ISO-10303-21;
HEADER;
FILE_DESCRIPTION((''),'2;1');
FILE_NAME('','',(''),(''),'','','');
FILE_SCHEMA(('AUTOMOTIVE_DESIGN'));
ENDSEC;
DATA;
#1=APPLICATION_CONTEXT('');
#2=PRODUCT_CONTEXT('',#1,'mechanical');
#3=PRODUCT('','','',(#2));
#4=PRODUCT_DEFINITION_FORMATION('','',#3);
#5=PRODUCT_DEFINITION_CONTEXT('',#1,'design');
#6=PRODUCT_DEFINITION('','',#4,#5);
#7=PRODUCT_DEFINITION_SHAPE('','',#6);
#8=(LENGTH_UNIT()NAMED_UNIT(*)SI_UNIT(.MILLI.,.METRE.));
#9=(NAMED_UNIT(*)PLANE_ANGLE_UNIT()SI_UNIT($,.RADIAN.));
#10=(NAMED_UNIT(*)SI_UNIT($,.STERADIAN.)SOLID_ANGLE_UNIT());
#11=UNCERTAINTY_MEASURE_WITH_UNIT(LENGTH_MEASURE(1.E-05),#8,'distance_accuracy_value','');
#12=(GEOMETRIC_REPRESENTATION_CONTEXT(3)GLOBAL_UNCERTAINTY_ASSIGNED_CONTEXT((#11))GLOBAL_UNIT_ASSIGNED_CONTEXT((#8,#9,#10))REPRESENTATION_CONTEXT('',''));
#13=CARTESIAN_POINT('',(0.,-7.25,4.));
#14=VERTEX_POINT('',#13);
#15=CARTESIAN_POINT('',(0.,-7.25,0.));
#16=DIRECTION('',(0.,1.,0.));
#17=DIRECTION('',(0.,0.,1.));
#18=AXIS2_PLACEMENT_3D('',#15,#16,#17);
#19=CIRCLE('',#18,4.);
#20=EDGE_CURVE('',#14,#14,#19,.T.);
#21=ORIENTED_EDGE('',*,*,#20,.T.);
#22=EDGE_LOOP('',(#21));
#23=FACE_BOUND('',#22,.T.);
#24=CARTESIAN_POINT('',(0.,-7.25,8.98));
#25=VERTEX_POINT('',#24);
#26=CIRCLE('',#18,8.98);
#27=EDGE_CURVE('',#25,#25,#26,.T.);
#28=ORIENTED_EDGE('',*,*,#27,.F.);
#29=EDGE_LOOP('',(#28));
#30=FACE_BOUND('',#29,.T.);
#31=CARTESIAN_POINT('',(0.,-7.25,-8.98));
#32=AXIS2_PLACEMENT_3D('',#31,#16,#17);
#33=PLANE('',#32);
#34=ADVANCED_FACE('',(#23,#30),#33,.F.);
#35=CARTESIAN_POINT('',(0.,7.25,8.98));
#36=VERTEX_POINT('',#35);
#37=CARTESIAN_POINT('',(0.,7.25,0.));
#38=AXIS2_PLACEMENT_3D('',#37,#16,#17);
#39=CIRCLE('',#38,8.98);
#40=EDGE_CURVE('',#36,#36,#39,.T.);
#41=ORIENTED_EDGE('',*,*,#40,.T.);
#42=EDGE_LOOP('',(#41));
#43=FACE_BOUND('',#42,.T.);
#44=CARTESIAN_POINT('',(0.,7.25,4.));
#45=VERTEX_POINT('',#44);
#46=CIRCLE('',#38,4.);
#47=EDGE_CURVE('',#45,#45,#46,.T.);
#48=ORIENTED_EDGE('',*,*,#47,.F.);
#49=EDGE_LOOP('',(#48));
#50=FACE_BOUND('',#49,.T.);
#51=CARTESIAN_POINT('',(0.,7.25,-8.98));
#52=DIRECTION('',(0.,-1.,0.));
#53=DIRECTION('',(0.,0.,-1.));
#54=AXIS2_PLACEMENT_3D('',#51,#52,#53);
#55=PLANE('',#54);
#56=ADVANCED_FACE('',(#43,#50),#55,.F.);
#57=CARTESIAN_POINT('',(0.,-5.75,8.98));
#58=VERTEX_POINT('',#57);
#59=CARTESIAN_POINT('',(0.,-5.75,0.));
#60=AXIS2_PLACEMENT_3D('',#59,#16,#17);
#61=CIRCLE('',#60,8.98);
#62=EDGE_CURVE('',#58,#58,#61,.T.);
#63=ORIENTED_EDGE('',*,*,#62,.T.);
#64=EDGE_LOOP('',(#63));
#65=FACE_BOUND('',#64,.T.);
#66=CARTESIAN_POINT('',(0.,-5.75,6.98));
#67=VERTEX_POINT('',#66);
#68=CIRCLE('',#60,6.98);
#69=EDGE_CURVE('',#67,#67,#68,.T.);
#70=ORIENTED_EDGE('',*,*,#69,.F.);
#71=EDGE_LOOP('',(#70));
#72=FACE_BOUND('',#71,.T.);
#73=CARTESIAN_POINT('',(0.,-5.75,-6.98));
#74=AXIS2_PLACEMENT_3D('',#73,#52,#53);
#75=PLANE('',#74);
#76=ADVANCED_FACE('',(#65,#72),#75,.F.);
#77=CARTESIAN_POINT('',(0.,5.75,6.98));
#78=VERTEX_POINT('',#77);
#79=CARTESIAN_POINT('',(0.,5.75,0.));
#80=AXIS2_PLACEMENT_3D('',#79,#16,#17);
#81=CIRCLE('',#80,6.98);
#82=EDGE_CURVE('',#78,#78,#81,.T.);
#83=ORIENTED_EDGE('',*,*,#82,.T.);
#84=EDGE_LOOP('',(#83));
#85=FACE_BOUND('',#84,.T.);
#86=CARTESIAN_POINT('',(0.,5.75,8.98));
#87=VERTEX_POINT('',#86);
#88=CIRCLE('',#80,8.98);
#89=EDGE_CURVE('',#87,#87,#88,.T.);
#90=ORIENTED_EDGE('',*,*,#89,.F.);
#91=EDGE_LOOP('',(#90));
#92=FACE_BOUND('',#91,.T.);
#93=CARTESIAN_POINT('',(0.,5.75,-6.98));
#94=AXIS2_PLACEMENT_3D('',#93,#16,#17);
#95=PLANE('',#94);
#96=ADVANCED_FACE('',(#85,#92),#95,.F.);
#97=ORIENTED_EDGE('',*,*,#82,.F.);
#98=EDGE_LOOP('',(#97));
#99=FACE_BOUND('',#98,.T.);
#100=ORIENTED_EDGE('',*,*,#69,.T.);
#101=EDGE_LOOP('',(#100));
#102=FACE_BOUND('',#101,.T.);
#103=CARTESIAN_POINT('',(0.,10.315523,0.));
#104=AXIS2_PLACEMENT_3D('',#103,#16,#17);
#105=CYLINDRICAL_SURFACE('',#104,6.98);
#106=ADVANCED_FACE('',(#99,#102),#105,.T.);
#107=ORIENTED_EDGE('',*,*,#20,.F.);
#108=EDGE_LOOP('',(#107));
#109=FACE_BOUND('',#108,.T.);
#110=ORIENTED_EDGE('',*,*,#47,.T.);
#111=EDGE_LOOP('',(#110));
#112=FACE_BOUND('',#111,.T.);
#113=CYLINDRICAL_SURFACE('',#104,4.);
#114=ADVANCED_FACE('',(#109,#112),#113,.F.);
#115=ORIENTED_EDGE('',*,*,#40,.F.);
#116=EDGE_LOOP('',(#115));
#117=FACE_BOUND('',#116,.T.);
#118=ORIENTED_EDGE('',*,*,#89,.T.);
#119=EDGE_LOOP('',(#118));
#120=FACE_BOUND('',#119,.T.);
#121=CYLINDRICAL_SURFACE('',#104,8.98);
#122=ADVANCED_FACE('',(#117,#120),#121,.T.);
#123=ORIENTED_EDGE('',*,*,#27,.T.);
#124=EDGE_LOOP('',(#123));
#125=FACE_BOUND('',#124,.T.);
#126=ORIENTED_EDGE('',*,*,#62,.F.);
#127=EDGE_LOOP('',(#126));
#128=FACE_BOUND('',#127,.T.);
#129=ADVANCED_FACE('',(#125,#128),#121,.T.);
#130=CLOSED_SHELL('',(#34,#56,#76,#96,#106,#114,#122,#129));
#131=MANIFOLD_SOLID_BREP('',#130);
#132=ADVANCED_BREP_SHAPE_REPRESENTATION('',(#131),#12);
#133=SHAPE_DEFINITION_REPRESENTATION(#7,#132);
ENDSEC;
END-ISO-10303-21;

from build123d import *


with BuildPart() as part:
    # Sketch1 → Revolve1 (revolve)
    with BuildSketch(Plane(origin=(0, 0, 0), x_dir=(0, 0, -1), z_dir=(1, 0, 0)), mode=Mode.PRIVATE) as revolve1_sk:
        Polygon((6.98, -5.75), (6.98, 5.75), (8.98, 5.75), (8.98, 7.25), (4, 7.25), (4, -7.25), (8.98, -7.25), (8.98, -5.75), align=None)
    revolve(revolve1_sk.sketch.rotate(Axis((0, 10.31552251, 0), (0, -1, 0)), 180), axis=Axis((0, 10.31552251, 0), (0, -1, 0)))


solid = part.part
